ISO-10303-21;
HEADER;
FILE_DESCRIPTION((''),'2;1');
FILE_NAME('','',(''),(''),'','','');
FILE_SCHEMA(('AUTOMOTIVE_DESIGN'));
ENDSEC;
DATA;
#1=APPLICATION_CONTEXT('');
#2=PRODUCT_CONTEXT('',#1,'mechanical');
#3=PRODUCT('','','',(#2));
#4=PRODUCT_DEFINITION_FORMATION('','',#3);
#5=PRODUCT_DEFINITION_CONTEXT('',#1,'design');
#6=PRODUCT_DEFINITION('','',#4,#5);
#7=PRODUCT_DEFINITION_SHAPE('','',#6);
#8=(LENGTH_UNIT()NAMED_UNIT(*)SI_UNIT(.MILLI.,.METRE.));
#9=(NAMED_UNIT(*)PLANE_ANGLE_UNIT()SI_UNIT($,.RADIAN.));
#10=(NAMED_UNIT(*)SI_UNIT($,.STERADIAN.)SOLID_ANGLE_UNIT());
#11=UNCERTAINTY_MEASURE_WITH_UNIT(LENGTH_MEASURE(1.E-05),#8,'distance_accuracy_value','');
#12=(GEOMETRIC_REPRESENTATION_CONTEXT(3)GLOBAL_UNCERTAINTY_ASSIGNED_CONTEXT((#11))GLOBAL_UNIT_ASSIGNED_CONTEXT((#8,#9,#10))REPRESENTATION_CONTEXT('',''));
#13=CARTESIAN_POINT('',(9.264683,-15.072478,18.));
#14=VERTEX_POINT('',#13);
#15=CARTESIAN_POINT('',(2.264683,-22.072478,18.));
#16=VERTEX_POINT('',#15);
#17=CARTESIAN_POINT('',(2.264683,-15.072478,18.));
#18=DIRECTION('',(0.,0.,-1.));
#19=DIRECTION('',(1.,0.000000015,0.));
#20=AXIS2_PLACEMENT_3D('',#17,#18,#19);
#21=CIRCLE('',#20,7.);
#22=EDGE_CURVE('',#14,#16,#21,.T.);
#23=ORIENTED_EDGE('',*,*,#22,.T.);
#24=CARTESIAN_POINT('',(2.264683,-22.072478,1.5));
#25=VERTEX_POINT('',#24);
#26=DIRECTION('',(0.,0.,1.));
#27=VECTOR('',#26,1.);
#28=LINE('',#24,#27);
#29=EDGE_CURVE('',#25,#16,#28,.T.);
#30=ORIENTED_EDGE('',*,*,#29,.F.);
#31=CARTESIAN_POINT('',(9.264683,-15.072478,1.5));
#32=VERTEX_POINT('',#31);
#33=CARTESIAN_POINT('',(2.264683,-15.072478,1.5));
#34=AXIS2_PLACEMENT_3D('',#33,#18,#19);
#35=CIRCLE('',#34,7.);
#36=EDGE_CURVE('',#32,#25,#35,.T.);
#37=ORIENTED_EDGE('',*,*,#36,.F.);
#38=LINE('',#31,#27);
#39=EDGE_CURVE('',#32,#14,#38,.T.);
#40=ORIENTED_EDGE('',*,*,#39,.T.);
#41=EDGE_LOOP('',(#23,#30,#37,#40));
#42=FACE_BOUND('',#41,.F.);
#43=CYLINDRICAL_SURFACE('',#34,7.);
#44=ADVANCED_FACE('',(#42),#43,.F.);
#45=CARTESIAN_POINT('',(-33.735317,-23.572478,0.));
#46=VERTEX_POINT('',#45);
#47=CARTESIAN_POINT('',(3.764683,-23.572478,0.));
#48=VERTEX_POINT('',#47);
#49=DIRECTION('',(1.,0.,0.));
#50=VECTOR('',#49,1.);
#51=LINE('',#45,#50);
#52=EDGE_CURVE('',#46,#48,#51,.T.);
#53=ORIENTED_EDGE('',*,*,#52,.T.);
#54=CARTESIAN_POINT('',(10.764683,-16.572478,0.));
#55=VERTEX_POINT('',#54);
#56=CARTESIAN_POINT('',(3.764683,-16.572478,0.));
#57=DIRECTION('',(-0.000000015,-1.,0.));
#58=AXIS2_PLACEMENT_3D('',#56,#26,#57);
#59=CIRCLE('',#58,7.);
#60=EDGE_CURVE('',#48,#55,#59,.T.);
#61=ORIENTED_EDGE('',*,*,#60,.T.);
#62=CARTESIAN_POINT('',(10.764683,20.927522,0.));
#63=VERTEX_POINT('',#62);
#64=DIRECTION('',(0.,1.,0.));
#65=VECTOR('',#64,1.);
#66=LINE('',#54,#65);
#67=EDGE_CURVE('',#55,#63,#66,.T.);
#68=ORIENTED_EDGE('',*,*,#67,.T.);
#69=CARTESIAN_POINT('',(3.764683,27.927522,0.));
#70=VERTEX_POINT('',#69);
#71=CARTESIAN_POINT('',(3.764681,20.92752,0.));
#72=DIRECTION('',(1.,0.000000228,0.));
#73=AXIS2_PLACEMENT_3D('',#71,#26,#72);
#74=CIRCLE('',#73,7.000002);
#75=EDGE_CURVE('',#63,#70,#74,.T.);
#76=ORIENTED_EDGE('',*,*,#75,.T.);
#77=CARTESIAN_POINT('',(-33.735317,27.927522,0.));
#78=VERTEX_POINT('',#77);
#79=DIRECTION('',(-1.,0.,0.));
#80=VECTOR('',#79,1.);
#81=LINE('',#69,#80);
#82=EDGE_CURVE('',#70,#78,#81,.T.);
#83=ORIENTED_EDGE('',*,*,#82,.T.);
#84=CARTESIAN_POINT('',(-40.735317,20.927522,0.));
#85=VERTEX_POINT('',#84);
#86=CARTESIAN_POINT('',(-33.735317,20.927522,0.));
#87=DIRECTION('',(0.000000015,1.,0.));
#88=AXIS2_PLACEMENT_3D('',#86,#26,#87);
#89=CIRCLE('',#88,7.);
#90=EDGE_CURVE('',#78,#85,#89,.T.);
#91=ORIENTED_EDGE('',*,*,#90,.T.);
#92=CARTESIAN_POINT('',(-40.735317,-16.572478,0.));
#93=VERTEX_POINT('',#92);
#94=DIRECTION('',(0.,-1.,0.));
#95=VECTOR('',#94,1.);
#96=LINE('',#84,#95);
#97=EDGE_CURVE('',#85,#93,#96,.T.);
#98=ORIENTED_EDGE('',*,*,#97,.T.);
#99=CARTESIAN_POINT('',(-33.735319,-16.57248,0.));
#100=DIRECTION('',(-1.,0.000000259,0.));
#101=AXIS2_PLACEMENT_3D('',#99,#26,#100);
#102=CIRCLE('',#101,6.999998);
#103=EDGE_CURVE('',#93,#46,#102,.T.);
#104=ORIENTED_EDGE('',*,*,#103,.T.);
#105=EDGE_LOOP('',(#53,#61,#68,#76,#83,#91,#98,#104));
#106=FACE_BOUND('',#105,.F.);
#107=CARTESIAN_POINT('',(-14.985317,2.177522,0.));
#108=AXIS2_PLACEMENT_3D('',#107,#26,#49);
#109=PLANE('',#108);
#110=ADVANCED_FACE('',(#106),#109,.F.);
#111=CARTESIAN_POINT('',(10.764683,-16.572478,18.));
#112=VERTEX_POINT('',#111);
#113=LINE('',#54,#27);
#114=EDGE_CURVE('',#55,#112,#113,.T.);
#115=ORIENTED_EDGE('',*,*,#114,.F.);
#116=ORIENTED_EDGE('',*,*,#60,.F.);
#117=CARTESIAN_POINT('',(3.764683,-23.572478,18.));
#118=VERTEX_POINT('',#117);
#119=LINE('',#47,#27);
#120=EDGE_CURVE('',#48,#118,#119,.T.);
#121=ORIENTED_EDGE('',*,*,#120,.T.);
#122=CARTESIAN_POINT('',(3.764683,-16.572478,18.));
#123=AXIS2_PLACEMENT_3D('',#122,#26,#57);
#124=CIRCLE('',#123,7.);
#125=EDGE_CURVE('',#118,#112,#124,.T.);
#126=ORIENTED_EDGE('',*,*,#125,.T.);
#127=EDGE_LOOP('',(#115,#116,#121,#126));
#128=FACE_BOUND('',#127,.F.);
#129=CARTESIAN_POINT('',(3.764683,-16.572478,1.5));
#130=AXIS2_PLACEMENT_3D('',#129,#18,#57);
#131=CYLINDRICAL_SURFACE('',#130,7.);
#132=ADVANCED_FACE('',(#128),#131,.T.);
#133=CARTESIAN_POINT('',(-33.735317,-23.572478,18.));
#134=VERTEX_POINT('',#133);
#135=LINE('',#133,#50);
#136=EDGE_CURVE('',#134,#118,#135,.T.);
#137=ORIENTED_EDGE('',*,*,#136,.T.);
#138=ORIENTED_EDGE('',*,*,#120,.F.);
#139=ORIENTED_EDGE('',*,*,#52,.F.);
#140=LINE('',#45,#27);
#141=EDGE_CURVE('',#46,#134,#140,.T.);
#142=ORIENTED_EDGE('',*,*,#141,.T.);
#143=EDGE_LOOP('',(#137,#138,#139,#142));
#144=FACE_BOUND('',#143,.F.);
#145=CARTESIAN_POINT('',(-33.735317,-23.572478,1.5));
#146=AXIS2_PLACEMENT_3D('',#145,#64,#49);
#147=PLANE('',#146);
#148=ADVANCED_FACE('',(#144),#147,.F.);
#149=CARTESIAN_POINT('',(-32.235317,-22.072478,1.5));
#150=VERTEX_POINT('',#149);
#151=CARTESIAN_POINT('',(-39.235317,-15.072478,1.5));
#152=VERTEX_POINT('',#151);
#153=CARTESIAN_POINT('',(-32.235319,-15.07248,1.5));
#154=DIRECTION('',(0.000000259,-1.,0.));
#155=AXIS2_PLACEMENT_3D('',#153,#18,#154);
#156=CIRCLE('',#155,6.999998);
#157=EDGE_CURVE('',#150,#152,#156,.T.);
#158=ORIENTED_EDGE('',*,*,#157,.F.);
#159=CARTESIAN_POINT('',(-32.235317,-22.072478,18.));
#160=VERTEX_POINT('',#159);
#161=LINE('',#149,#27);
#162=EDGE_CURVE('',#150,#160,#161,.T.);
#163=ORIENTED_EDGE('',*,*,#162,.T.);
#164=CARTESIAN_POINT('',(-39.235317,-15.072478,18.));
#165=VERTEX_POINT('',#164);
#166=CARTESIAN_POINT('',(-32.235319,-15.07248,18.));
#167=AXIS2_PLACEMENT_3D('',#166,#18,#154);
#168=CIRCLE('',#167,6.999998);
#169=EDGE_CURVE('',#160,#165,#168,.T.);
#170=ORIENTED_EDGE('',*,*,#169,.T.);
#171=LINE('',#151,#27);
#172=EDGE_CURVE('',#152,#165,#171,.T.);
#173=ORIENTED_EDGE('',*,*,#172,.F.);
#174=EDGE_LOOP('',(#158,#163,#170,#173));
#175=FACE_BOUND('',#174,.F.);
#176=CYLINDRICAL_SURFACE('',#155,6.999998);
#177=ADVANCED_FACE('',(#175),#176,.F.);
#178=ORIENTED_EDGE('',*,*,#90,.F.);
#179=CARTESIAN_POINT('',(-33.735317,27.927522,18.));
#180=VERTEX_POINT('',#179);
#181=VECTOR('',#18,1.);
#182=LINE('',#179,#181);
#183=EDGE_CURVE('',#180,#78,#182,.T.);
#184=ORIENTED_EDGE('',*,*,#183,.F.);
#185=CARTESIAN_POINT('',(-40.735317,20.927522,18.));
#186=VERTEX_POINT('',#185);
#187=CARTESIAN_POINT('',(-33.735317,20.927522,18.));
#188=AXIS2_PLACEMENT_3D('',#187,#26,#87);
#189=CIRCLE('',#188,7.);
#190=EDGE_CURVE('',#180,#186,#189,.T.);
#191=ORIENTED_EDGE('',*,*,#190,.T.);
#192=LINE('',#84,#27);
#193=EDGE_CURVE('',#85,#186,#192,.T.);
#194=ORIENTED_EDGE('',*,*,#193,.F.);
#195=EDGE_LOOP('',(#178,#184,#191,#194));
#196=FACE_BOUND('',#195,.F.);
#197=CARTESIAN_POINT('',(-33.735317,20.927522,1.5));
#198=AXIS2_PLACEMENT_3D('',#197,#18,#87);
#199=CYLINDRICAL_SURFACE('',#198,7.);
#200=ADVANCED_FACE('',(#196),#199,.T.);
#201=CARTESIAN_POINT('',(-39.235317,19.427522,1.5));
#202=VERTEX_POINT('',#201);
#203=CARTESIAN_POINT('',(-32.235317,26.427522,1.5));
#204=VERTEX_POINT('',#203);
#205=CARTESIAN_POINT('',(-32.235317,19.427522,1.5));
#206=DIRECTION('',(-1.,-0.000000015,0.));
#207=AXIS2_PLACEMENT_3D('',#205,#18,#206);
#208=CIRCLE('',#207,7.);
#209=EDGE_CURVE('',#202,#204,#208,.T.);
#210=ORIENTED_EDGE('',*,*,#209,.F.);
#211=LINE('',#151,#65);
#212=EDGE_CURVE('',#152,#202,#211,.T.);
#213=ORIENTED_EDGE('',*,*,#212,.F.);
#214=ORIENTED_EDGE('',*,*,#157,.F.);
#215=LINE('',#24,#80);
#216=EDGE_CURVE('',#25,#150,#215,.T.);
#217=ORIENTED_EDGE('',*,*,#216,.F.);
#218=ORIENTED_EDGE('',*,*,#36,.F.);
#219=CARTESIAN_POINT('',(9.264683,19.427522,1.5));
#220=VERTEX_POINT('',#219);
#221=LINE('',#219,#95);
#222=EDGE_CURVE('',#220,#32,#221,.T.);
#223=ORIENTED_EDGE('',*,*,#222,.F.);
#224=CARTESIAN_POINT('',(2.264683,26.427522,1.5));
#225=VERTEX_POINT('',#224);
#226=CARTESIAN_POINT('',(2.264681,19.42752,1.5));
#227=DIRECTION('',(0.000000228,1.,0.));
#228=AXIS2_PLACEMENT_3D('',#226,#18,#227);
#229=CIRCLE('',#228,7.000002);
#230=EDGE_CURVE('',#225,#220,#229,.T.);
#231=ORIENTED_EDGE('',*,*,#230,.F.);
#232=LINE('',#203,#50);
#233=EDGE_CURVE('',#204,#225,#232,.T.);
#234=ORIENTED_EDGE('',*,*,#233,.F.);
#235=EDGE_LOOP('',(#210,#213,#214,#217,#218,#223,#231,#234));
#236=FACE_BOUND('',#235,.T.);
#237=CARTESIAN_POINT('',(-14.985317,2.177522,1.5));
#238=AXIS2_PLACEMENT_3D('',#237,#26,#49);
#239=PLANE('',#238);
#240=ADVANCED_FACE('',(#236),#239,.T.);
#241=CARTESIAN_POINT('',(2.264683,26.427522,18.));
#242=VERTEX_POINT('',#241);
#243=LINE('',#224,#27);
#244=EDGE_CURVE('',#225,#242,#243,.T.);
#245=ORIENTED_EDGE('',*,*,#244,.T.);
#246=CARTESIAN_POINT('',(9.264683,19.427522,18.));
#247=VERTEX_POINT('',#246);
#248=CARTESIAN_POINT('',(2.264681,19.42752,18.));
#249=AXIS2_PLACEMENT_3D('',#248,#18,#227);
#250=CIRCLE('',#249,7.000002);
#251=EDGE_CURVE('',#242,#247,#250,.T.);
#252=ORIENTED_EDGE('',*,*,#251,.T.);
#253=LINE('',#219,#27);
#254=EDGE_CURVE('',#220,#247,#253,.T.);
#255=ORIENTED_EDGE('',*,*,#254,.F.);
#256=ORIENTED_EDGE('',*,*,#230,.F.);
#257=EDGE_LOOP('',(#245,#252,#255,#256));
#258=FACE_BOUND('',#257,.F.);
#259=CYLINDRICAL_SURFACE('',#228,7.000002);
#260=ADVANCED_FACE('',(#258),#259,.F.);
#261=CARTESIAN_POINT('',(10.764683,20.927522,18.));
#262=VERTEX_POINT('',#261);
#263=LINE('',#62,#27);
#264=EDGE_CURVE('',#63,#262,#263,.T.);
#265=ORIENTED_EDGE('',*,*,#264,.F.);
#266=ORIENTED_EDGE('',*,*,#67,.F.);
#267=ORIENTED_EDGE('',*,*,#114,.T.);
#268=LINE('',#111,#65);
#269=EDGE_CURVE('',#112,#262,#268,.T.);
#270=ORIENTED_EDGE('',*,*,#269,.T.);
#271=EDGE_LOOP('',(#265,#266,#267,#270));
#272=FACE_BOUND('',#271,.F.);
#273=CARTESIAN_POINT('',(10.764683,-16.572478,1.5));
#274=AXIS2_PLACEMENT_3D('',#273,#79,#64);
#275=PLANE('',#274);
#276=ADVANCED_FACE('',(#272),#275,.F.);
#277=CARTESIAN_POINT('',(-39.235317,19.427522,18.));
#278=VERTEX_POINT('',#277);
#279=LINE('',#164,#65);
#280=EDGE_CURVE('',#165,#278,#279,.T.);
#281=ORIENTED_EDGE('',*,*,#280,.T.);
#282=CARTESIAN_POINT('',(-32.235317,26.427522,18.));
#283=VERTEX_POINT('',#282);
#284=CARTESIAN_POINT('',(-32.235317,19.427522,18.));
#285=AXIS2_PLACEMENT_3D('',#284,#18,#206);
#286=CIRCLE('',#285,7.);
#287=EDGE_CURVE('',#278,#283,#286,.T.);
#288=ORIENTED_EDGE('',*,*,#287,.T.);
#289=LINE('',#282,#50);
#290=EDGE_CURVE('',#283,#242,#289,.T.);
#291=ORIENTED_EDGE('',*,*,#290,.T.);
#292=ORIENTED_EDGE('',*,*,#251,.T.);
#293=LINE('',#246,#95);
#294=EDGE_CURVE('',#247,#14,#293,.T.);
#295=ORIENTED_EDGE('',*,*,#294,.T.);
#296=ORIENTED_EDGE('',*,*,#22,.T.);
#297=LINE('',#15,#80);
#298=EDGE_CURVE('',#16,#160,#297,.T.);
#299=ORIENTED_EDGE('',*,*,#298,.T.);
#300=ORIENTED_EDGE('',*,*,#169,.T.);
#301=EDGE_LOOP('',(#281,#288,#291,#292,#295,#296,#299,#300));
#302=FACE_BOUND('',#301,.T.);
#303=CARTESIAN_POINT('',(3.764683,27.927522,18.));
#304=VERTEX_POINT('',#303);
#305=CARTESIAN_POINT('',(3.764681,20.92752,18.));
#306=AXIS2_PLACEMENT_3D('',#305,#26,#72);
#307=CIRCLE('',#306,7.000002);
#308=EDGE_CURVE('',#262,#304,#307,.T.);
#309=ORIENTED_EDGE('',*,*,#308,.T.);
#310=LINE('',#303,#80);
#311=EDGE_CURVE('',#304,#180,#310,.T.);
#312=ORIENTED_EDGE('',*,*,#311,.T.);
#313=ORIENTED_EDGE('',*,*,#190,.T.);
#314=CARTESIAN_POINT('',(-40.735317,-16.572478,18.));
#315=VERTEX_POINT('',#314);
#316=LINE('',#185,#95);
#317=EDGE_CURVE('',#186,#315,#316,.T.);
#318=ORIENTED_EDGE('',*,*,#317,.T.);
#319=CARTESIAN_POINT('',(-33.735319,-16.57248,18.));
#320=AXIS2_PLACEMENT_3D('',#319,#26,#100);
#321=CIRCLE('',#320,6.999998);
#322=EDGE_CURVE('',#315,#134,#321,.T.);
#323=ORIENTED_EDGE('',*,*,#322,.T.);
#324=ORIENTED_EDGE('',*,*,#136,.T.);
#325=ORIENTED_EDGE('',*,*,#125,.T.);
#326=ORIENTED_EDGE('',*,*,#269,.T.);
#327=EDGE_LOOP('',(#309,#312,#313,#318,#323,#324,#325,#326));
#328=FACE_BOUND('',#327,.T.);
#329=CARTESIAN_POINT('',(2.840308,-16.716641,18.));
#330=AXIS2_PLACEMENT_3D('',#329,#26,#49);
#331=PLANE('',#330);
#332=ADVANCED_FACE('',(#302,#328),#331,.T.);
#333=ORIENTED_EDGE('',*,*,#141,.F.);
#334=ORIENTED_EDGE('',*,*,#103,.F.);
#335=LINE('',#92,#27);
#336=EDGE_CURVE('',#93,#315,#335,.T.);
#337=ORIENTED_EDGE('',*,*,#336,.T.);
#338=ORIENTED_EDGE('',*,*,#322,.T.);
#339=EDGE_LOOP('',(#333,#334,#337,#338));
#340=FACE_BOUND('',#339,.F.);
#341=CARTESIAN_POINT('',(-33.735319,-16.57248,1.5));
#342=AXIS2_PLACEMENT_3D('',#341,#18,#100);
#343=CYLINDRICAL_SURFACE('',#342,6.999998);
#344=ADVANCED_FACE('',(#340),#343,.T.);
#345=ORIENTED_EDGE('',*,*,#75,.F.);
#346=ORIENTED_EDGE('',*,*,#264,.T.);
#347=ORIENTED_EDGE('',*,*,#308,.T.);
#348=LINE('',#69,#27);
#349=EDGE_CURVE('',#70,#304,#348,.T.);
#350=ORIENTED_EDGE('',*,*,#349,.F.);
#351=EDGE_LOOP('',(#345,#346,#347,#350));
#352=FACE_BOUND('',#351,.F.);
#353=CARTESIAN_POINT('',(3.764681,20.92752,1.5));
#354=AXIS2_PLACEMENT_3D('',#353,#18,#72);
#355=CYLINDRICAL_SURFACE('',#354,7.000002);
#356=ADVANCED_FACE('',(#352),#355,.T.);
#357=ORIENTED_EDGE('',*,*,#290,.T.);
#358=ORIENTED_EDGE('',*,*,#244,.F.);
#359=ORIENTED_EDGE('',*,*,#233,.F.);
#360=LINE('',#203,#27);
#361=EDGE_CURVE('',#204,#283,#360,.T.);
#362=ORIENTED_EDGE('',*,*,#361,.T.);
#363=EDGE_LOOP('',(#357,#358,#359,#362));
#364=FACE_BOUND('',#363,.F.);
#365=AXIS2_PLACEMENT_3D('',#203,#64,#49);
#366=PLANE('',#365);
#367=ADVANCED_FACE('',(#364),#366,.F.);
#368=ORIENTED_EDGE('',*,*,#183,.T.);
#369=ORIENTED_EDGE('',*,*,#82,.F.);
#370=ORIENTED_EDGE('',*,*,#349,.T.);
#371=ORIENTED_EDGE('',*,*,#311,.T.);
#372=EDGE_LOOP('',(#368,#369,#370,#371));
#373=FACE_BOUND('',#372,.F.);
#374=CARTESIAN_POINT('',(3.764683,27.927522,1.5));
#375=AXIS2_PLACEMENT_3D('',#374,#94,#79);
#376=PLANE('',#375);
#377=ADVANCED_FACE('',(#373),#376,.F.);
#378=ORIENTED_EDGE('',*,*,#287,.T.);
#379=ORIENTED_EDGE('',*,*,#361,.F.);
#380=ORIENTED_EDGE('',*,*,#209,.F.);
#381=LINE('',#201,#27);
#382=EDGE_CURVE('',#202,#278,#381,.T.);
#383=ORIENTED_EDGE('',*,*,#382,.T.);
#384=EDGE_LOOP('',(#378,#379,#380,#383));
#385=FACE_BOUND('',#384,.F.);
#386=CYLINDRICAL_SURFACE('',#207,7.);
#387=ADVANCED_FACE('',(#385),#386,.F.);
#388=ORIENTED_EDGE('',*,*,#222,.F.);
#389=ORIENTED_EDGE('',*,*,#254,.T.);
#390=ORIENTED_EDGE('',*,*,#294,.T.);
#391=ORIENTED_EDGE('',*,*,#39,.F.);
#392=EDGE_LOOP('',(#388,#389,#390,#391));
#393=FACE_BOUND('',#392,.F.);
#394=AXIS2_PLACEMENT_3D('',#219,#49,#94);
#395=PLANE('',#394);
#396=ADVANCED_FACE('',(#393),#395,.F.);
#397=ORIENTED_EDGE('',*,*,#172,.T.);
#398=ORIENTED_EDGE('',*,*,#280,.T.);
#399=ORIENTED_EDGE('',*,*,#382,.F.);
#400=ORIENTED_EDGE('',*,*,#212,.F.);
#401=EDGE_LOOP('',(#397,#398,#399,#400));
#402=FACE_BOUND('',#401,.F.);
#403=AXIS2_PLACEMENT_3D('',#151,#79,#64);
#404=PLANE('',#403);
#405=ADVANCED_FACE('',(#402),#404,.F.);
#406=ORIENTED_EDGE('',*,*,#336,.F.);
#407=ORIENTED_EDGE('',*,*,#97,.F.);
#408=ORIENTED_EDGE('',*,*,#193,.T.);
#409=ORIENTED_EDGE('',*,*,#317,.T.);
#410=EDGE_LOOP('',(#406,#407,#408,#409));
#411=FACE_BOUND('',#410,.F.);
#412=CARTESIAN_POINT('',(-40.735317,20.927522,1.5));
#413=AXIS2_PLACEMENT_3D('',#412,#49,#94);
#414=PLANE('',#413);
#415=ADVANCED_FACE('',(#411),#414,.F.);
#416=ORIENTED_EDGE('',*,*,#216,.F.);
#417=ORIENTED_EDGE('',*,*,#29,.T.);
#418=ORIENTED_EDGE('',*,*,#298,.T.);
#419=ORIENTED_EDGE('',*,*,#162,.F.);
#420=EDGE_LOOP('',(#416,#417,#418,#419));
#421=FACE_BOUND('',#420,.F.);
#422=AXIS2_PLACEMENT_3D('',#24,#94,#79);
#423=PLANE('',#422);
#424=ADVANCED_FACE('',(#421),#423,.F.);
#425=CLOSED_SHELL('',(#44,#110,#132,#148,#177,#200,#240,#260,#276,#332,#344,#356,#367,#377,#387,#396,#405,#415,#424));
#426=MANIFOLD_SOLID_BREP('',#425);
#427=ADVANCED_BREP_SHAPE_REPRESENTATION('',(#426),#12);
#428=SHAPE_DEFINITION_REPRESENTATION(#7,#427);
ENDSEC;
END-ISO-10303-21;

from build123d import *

# Parameters (mm, degrees)
F1_DEPTH = 1.5
F3_DEPTH = 16.5


with BuildPart() as f1:
    # F0 (on Top) → F1 (new body)
    with BuildSketch(Plane.XY):
        with BuildLine():
            Line((3.764683, 27.927522), (-33.735317, 27.927522))
            ThreePointArc((-33.735317, 27.927522), (-38.685065, 25.877269), (-40.735317, 20.927522))
            Line((-40.735317, 20.927522), (-40.735317, -16.572478))
            ThreePointArc((-40.735317, -16.572478), (-38.685065, -21.522226), (-33.735317, -23.572478))
            Line((-33.735317, -23.572478), (3.764683, -23.572478))
            ThreePointArc((3.764683, -23.572478), (8.71443, -21.522226), (10.764683, -16.572478))
            Line((10.764683, -16.572478), (10.764683, 20.927522))
            ThreePointArc((10.764683, 20.927522), (8.71443, 25.877269), (3.764683, 27.927522))
        make_face()
    extrude(amount=F1_DEPTH)

    # F2 (on face) → F3 (join)
    with BuildSketch(Plane.XY.offset(1.5)):
        with BuildLine():
            ThreePointArc((9.264683, -15.072478), (7.21443, -20.022226), (2.264683, -22.072478))
            Line((2.264683, -22.072478), (-14.808783, -22.072478))
            Line((-14.808783, -22.072478), (-14.808783, -23.572478))
            Line((-14.808783, -23.572478), (3.764683, -23.572478))
            ThreePointArc((3.764683, -23.572478), (8.71443, -21.522226), (10.764683, -16.572478))
            Line((10.764683, -16.572478), (10.764683, 0))
            Line((10.764683, 0), (9.264683, 0))
            Line((9.264683, 0), (9.264683, -15.072478))
        make_face()
        with BuildLine():
            Line((-14.808783, -23.572478), (-14.808783, -22.072478))
            Line((-14.808783, -22.072478), (-32.235317, -22.072478))
            ThreePointArc((-32.235317, -22.072478), (-37.185065, -20.022226), (-39.235317, -15.072478))
            Line((-39.235317, -15.072478), (-39.235317, 2.177522))
            Line((-39.235317, 2.177522), (-40.735317, 2.177522))
            Line((-40.735317, 2.177522), (-40.735317, -16.572478))
            ThreePointArc((-40.735317, -16.572478), (-38.685065, -21.522226), (-33.735317, -23.572478))
            Line((-33.735317, -23.572478), (-14.808783, -23.572478))
        make_face()
        with BuildLine():
            Line((-40.735317, 2.177522), (-39.235317, 2.177522))
            Line((-39.235317, 2.177522), (-39.235317, 19.427522))
            ThreePointArc((-39.235317, 19.427522), (-37.185065, 24.377269), (-32.235317, 26.427522))
            Line((-32.235317, 26.427522), (-14.985317, 26.427522))
            Line((-14.985317, 26.427522), (-14.985317, 27.927522))
            Line((-14.985317, 27.927522), (-33.735317, 27.927522))
            ThreePointArc((-33.735317, 27.927522), (-38.685065, 25.877269), (-40.735317, 20.927522))
            Line((-40.735317, 20.927522), (-40.735317, 2.177522))
        make_face()
        with BuildLine():
            Line((9.264683, 19.427522), (9.264683, 0))
            Line((9.264683, 0), (10.764683, 0))
            Line((10.764683, 0), (10.764683, 20.927522))
            ThreePointArc((10.764683, 20.927522), (8.71443, 25.877269), (3.764683, 27.927522))
            Line((3.764683, 27.927522), (-14.985317, 27.927522))
            Line((-14.985317, 27.927522), (-14.985317, 26.427522))
            Line((-14.985317, 26.427522), (2.264683, 26.427522))
            ThreePointArc((2.264683, 26.427522), (7.21443, 24.377269), (9.264683, 19.427522))
        make_face()
    extrude(amount=F3_DEPTH)


solid = f1.part
